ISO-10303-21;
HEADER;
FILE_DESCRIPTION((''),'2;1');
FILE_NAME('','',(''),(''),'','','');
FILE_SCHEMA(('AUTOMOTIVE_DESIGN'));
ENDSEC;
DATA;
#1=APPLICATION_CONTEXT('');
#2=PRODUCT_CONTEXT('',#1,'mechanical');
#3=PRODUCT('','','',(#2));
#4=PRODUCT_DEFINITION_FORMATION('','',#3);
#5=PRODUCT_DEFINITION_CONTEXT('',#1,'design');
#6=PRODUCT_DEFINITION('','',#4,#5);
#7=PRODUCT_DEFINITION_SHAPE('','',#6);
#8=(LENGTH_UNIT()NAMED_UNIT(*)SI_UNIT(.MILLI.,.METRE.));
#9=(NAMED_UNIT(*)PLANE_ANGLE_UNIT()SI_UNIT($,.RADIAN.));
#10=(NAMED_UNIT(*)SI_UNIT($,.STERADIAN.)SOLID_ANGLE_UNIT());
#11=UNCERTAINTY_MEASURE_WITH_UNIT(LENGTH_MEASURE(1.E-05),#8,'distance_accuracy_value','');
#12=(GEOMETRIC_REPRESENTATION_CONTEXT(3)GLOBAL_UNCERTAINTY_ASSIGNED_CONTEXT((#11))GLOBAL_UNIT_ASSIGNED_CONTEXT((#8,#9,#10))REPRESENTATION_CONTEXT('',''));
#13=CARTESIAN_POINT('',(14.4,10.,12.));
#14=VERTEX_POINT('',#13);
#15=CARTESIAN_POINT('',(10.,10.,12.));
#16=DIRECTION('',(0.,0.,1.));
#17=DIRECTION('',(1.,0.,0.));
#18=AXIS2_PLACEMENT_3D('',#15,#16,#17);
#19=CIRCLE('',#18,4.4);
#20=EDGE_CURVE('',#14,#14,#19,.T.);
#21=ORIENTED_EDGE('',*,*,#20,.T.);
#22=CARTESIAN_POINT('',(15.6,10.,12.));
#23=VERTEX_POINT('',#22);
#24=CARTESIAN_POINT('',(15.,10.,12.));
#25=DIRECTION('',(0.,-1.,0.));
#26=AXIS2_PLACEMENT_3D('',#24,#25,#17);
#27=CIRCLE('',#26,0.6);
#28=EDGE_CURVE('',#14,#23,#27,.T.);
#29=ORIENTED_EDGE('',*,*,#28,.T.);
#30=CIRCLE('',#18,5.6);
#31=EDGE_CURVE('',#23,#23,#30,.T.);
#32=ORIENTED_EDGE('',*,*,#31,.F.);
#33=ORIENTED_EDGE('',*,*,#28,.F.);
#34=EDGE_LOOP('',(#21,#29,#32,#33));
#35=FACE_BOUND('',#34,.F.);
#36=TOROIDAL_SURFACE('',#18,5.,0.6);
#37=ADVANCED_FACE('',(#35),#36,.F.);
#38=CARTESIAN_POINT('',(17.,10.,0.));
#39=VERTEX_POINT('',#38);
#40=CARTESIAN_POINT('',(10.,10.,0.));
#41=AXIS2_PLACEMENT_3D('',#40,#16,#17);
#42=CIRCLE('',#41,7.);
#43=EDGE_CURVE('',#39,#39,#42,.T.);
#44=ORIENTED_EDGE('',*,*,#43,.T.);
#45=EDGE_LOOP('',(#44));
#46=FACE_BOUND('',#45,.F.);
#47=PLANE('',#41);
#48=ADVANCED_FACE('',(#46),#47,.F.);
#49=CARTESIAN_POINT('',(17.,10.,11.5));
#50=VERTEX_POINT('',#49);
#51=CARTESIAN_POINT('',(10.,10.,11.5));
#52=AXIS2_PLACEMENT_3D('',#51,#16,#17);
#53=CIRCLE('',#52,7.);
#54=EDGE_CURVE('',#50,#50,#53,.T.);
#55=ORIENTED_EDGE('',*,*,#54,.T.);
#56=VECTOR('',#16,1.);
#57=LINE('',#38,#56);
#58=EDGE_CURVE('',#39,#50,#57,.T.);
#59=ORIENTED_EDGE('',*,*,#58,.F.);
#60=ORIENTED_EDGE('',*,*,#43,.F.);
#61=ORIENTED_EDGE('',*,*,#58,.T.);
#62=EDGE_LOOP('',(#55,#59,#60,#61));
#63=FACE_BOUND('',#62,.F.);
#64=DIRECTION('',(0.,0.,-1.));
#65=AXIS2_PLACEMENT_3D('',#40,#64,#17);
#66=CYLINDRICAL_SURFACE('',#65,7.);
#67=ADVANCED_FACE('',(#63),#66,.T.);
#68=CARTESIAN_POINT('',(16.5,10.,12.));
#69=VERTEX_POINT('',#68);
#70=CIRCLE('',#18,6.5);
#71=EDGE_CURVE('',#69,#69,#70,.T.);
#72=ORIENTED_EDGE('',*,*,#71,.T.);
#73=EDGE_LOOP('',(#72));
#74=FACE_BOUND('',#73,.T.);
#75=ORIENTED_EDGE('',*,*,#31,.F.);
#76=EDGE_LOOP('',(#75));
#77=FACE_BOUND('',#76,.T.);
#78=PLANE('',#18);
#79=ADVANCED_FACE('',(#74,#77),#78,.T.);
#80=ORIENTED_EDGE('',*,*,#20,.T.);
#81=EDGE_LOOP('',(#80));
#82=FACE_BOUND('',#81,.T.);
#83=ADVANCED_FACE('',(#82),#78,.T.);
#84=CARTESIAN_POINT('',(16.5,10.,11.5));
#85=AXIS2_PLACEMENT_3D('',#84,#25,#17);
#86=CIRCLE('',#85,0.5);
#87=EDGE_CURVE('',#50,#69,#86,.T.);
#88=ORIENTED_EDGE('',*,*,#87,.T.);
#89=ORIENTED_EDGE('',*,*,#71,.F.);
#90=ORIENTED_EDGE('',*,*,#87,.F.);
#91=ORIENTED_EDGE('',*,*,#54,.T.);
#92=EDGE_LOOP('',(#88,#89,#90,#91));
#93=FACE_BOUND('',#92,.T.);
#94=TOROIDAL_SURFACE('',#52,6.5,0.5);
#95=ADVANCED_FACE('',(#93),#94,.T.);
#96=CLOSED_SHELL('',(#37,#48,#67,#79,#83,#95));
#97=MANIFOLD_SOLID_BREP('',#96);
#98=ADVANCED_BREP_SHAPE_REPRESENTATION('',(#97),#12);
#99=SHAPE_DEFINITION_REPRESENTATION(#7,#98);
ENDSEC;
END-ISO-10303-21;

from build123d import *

# Parameters (mm, degrees)
TORUS_R        = 0.6
CYLINDER_R     = 7
CYLINDER_DEPTH = 12
FILLET001_R    = 0.5


with BuildPart() as torus:
    # Torus → Torus (revolve)
    with BuildSketch(Plane(origin=(10, 10, 12), x_dir=(1, 0, 0), z_dir=(0, -1, 0))):
        with Locations((5, 0)):
            Circle(TORUS_R)
    revolve(axis=Axis((10, 10, 12), (0, 0, 1)))


with BuildPart() as cut001:
    # Cylinder → Cylinder (new body)
    with BuildSketch(Plane(origin=(10, 10, 0), x_dir=(1, 0, 0), z_dir=(0, 0, 1))):
        Circle(CYLINDER_R)
    extrude(amount=CYLINDER_DEPTH)

    # Fillet001
    fillet001_edges = [cut001.edges().sort_by_distance(p)[0] for p in [
        (3, 10, 12),
    ]]
    fillet(fillet001_edges, radius=FILLET001_R)

    # Cut001: cut Torus
    add(torus.part, mode=Mode.SUBTRACT)


solid = cut001.part
